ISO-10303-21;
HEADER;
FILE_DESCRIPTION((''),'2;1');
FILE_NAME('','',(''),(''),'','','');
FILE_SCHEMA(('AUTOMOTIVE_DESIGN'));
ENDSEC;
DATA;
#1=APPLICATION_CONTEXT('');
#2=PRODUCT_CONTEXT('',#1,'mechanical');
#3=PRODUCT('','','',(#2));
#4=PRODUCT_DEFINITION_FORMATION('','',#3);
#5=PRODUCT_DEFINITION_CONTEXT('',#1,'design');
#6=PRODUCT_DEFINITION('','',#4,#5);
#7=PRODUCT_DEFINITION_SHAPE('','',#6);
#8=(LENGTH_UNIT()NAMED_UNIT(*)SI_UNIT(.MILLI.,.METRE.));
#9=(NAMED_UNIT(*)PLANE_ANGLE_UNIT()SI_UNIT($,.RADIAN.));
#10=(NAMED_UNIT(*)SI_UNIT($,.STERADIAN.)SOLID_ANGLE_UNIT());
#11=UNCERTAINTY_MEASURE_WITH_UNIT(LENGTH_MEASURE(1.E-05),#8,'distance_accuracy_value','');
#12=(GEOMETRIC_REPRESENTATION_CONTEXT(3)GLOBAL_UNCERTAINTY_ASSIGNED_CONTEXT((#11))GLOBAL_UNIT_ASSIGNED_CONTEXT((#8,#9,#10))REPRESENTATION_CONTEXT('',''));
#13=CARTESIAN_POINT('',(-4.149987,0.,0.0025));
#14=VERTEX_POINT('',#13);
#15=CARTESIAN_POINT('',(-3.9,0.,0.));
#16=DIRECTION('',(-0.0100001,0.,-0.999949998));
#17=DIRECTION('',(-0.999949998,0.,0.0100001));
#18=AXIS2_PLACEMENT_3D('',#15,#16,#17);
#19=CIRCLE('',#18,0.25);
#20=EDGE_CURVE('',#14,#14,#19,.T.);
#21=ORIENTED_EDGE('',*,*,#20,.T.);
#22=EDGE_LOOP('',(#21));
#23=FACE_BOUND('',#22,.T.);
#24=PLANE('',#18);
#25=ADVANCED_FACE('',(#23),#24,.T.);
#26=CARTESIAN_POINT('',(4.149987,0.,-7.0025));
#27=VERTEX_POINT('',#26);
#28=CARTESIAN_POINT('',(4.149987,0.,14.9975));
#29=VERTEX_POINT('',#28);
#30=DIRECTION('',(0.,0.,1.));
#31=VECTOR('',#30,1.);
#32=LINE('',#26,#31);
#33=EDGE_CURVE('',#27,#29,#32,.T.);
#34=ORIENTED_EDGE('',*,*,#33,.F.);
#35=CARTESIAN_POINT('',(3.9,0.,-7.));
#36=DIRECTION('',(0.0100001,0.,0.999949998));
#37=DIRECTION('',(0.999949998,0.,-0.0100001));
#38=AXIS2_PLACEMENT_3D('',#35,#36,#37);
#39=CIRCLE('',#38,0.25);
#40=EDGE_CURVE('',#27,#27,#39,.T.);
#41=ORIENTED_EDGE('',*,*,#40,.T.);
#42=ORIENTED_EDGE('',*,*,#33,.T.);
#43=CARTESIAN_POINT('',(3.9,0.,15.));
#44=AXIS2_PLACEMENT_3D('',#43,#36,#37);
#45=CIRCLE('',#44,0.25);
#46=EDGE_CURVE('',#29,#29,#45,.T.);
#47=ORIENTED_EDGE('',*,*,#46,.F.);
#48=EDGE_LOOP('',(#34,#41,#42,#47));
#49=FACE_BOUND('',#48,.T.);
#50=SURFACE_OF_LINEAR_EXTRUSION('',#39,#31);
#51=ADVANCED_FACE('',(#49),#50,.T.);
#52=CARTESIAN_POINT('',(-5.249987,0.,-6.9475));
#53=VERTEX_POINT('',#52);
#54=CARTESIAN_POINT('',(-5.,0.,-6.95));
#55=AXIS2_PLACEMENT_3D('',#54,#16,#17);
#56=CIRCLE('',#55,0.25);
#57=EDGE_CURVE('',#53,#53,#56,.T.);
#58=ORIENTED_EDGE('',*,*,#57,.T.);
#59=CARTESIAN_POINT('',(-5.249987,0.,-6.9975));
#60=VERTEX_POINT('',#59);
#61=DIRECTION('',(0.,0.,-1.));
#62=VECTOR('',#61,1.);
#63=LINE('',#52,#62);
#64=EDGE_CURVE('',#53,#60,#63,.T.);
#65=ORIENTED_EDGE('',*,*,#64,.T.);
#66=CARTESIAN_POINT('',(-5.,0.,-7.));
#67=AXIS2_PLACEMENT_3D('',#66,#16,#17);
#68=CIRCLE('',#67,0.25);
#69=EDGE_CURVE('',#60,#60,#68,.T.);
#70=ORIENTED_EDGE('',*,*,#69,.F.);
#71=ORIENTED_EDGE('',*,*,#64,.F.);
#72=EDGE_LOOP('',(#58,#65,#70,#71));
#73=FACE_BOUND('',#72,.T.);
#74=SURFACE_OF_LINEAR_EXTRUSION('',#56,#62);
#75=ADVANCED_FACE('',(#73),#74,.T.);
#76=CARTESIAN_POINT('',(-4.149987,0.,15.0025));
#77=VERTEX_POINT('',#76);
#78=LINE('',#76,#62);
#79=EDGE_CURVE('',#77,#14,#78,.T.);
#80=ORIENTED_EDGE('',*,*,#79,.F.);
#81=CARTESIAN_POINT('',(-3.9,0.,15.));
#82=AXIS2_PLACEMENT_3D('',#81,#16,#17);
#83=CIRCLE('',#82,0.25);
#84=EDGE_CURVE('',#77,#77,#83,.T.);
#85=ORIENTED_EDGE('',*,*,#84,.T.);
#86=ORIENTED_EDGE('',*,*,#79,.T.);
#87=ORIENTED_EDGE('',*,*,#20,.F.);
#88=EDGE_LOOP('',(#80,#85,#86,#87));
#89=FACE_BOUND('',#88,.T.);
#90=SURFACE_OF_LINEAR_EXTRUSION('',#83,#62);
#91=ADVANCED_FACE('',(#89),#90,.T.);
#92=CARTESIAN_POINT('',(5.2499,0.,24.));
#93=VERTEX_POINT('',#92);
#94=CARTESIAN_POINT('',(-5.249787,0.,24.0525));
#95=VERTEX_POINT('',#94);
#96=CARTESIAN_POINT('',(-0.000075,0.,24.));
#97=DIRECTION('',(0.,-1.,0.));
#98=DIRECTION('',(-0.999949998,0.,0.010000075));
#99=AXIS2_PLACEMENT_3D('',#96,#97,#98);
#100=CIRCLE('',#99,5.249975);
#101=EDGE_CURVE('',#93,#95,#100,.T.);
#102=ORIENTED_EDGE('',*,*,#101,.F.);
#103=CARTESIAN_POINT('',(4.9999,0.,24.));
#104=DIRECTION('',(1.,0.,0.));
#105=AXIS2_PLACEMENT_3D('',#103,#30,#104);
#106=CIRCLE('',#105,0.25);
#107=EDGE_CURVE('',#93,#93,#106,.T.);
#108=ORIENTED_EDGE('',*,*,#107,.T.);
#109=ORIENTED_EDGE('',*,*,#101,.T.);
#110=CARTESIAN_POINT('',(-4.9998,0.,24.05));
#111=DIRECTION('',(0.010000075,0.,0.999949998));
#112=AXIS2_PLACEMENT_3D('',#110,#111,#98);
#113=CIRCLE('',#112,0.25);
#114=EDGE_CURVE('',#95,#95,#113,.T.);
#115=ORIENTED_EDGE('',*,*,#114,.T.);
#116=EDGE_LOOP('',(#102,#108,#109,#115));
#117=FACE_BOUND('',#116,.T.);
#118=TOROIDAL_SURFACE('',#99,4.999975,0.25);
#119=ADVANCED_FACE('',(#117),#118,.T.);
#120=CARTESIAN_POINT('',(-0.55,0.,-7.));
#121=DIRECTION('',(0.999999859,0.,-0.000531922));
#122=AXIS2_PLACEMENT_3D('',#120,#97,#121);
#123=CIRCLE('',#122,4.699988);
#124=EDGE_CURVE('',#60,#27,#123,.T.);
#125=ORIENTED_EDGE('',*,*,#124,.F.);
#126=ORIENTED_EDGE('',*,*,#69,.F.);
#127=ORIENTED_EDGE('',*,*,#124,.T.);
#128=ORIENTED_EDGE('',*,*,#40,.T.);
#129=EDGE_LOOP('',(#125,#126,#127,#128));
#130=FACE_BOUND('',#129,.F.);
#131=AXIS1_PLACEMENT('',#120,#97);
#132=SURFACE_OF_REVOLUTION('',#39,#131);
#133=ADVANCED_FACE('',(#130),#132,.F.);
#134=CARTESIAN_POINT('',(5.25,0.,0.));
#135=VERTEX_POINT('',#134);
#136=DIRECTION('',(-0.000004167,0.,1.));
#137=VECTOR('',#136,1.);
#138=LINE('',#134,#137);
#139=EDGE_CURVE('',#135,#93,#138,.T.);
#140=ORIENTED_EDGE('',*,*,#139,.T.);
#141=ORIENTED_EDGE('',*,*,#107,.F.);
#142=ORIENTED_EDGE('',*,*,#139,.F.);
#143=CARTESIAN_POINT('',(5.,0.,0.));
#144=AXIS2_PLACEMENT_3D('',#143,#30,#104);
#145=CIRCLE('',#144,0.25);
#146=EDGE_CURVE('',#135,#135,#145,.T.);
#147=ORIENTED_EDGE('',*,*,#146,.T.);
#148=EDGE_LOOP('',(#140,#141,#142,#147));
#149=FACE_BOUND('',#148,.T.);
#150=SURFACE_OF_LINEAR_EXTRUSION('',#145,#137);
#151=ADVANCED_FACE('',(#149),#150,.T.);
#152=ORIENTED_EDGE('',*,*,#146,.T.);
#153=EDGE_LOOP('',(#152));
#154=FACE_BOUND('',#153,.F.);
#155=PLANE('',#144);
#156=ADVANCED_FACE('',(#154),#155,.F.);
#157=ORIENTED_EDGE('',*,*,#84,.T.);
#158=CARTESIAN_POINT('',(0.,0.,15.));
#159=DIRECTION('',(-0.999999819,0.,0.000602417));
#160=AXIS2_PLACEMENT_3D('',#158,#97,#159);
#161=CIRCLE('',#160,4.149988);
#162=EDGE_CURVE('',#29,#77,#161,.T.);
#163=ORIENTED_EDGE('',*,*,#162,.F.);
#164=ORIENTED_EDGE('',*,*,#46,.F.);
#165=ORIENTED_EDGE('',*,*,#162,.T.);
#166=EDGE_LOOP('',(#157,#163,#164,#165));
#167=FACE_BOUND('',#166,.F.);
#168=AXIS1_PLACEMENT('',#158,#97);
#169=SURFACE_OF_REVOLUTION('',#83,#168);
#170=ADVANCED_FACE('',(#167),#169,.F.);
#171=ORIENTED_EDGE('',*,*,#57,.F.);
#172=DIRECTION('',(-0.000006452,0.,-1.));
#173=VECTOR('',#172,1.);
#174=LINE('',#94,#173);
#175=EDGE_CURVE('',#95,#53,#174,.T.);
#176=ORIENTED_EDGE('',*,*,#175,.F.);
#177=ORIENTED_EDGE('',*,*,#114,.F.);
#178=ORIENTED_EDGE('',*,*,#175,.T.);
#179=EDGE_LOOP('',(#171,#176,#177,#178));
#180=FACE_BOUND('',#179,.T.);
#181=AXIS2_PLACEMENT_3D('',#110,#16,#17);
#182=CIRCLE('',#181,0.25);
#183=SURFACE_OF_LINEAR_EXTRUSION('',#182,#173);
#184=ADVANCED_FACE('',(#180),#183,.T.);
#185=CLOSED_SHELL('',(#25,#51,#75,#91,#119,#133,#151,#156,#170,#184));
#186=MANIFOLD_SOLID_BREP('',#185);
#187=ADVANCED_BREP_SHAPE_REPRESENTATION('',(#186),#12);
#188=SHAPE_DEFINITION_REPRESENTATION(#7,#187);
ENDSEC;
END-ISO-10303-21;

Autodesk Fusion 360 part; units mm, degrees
sketch "Sketch1" plane through (0, 0, 0) normal (0, 1, 0) x (1, 0, 0)
  line L0 (5, 0) -> (4.9999, -24)
  line L1 (-4.9998, -24.05) -> (-5, 6.95)
  line L2 (3.9, 7) -> (3.9, -15)
  line L3 (-3.9, -15) -> (-3.9, 0)
  arc A0 (-3.9, -15) -> (3.9, -15) centre (0, -15) ccw
  line L4 (-5, 6.95) -> (-5, 7)
  arc A1 (-4.9998, -24.05) -> (4.9999, -24) centre (-0.0001, -24) ccw
  arc A2 (3.9, 7) -> (-5, 7) centre (-0.55, 7) ccw
  dimension "d29" = 24
  dimension "d30" = 31
  dimension "d31" = 22
  dimension "d32" = 15
sketch "Sketch4" plane through (0, 0, 0) normal (0, 0, 1) x (1, 0, 0)
  circle A0 centre (5, 0) radius 0.25
  dimension "d35" = 5
  dimension "d36" = 0.5
sweep "Sweep2" add profiles "Sketch4" path "Sketch1" along L0 A1 L1 L4 A2 L2 A0 L3 section 1
sketch "Sketch2" plane through (0, 0, 0) normal (0, 0, 1) x (1, 0, 0)
  circle A0 centre (5, 0) radius 0.25
  dimension "d22" = 0.5
sweep "Sweep1" [suppressed]
